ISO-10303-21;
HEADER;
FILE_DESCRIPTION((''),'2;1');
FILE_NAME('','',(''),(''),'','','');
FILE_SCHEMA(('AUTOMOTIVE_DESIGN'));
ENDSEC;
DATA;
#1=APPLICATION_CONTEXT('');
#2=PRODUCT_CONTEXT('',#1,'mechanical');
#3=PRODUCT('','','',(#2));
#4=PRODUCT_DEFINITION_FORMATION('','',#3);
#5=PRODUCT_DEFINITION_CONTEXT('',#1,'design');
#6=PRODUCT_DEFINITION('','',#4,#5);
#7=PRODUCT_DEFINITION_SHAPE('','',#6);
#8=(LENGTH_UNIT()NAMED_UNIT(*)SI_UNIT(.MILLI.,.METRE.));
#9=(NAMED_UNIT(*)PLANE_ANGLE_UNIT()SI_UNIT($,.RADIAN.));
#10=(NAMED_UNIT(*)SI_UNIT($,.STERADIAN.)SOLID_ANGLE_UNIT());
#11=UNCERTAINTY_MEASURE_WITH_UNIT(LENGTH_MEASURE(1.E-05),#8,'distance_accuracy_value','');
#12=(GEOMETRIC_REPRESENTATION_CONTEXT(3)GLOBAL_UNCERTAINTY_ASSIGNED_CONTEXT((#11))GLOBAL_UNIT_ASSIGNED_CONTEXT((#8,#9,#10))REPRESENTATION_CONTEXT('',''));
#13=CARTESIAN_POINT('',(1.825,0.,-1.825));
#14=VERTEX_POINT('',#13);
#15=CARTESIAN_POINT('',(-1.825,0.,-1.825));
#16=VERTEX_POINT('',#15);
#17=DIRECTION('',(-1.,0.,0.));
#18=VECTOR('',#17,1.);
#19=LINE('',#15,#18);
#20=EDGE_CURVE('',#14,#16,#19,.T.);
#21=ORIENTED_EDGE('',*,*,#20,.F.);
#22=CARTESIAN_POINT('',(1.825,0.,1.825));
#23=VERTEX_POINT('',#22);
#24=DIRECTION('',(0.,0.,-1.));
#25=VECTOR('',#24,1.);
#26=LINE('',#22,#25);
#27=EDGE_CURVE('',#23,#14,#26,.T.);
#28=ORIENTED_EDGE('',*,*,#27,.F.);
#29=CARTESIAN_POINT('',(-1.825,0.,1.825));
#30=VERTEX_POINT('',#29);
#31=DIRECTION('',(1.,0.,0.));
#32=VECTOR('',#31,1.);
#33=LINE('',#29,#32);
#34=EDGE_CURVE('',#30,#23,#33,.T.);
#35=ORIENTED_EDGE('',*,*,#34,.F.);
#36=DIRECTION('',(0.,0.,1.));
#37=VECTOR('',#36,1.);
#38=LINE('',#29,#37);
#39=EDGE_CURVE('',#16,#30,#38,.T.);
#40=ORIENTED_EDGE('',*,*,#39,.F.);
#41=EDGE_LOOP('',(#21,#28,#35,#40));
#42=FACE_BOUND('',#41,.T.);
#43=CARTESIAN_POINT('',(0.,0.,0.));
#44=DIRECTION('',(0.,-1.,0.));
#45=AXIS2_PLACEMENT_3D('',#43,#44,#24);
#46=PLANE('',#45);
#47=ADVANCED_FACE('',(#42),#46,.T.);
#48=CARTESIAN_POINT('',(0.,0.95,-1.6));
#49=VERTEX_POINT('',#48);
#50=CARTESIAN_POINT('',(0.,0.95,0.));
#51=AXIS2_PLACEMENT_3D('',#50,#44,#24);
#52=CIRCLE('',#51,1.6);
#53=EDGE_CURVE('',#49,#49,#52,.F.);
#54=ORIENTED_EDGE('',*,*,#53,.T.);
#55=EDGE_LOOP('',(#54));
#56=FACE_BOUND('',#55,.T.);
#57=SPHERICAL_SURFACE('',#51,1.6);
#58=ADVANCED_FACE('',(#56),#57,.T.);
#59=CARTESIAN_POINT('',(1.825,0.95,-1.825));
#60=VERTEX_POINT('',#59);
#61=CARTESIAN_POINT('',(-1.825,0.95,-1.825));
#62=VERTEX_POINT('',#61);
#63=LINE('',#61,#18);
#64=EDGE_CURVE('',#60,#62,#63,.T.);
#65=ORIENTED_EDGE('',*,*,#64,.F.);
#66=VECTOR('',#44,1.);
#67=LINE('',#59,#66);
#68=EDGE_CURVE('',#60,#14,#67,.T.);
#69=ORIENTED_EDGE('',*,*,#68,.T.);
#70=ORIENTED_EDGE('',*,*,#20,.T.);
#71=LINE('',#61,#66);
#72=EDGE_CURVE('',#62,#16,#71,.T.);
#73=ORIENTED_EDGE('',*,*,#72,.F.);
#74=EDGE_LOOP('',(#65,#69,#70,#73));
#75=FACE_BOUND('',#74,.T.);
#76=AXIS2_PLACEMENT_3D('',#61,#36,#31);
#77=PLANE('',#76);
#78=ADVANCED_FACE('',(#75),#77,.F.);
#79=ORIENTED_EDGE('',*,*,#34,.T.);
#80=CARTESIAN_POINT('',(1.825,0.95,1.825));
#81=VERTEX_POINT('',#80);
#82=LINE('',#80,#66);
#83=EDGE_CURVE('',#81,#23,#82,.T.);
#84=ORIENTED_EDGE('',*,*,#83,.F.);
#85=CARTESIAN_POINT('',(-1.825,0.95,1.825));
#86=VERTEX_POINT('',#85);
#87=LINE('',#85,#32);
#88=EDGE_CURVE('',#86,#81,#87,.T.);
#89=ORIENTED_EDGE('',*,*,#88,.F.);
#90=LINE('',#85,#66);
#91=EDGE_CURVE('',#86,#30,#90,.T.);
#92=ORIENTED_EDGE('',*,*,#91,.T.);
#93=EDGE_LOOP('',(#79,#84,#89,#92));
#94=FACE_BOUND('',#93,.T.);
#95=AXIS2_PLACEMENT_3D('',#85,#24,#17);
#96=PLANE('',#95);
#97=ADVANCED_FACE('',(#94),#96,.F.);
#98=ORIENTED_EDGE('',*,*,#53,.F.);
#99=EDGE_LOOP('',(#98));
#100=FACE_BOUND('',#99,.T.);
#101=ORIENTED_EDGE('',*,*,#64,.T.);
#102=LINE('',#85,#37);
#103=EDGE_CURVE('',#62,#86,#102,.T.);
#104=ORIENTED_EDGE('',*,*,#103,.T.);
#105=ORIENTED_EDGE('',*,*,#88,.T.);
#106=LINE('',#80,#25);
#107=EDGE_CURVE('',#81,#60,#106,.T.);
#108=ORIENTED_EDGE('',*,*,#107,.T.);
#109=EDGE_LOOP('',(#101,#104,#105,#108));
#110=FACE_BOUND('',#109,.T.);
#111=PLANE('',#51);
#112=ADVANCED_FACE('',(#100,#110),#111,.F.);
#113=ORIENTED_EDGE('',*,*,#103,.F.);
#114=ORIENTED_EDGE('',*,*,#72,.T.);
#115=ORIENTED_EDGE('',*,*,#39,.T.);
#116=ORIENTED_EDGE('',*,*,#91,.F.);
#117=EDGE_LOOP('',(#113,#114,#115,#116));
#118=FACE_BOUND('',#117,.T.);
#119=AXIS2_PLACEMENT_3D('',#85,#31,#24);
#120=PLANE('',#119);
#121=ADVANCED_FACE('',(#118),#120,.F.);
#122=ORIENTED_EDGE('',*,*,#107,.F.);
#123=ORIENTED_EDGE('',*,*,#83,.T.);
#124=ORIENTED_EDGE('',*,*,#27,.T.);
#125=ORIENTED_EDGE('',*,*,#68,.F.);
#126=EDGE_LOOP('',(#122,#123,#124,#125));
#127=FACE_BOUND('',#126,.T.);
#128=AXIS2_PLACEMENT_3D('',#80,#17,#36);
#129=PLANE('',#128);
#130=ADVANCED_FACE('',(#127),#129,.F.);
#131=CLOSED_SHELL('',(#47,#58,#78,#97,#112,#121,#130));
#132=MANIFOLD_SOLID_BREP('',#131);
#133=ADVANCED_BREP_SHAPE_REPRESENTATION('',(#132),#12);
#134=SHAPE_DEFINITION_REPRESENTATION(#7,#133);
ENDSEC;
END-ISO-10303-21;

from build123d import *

# Parameters (mm, degrees)
SKETCH1_W           = 3.65
SKETCH1_H           = 3.65
BOSS_EXTRUDE1_DEPTH = 0.95
REVOLVE1_ANGLE      = 180


with BuildPart() as part:
    # Sketch1 → Boss-Extrude1 (new body)
    with BuildSketch(Plane(origin=(0, 0, 0), x_dir=(1, 0, 0), z_dir=(0, 1, 0))):
        Rectangle(SKETCH1_W, SKETCH1_H)
    extrude(amount=BOSS_EXTRUDE1_DEPTH)

    # Sketch2 → Revolve1 (revolve)
    with BuildSketch(Plane(origin=(0, 0.95, 0), x_dir=(1, 0, 0), z_dir=(0, 1, 0))):
        with BuildLine():
            Line((0, 1.6), (0, -1.6))
            ThreePointArc((0, -1.6), (1.6, 0), (0, 1.6))
        make_face()
    revolve(axis=Axis((0, 0.95, -1.6), (0, 0, 1)), revolution_arc=REVOLVE1_ANGLE)


solid = part.part
